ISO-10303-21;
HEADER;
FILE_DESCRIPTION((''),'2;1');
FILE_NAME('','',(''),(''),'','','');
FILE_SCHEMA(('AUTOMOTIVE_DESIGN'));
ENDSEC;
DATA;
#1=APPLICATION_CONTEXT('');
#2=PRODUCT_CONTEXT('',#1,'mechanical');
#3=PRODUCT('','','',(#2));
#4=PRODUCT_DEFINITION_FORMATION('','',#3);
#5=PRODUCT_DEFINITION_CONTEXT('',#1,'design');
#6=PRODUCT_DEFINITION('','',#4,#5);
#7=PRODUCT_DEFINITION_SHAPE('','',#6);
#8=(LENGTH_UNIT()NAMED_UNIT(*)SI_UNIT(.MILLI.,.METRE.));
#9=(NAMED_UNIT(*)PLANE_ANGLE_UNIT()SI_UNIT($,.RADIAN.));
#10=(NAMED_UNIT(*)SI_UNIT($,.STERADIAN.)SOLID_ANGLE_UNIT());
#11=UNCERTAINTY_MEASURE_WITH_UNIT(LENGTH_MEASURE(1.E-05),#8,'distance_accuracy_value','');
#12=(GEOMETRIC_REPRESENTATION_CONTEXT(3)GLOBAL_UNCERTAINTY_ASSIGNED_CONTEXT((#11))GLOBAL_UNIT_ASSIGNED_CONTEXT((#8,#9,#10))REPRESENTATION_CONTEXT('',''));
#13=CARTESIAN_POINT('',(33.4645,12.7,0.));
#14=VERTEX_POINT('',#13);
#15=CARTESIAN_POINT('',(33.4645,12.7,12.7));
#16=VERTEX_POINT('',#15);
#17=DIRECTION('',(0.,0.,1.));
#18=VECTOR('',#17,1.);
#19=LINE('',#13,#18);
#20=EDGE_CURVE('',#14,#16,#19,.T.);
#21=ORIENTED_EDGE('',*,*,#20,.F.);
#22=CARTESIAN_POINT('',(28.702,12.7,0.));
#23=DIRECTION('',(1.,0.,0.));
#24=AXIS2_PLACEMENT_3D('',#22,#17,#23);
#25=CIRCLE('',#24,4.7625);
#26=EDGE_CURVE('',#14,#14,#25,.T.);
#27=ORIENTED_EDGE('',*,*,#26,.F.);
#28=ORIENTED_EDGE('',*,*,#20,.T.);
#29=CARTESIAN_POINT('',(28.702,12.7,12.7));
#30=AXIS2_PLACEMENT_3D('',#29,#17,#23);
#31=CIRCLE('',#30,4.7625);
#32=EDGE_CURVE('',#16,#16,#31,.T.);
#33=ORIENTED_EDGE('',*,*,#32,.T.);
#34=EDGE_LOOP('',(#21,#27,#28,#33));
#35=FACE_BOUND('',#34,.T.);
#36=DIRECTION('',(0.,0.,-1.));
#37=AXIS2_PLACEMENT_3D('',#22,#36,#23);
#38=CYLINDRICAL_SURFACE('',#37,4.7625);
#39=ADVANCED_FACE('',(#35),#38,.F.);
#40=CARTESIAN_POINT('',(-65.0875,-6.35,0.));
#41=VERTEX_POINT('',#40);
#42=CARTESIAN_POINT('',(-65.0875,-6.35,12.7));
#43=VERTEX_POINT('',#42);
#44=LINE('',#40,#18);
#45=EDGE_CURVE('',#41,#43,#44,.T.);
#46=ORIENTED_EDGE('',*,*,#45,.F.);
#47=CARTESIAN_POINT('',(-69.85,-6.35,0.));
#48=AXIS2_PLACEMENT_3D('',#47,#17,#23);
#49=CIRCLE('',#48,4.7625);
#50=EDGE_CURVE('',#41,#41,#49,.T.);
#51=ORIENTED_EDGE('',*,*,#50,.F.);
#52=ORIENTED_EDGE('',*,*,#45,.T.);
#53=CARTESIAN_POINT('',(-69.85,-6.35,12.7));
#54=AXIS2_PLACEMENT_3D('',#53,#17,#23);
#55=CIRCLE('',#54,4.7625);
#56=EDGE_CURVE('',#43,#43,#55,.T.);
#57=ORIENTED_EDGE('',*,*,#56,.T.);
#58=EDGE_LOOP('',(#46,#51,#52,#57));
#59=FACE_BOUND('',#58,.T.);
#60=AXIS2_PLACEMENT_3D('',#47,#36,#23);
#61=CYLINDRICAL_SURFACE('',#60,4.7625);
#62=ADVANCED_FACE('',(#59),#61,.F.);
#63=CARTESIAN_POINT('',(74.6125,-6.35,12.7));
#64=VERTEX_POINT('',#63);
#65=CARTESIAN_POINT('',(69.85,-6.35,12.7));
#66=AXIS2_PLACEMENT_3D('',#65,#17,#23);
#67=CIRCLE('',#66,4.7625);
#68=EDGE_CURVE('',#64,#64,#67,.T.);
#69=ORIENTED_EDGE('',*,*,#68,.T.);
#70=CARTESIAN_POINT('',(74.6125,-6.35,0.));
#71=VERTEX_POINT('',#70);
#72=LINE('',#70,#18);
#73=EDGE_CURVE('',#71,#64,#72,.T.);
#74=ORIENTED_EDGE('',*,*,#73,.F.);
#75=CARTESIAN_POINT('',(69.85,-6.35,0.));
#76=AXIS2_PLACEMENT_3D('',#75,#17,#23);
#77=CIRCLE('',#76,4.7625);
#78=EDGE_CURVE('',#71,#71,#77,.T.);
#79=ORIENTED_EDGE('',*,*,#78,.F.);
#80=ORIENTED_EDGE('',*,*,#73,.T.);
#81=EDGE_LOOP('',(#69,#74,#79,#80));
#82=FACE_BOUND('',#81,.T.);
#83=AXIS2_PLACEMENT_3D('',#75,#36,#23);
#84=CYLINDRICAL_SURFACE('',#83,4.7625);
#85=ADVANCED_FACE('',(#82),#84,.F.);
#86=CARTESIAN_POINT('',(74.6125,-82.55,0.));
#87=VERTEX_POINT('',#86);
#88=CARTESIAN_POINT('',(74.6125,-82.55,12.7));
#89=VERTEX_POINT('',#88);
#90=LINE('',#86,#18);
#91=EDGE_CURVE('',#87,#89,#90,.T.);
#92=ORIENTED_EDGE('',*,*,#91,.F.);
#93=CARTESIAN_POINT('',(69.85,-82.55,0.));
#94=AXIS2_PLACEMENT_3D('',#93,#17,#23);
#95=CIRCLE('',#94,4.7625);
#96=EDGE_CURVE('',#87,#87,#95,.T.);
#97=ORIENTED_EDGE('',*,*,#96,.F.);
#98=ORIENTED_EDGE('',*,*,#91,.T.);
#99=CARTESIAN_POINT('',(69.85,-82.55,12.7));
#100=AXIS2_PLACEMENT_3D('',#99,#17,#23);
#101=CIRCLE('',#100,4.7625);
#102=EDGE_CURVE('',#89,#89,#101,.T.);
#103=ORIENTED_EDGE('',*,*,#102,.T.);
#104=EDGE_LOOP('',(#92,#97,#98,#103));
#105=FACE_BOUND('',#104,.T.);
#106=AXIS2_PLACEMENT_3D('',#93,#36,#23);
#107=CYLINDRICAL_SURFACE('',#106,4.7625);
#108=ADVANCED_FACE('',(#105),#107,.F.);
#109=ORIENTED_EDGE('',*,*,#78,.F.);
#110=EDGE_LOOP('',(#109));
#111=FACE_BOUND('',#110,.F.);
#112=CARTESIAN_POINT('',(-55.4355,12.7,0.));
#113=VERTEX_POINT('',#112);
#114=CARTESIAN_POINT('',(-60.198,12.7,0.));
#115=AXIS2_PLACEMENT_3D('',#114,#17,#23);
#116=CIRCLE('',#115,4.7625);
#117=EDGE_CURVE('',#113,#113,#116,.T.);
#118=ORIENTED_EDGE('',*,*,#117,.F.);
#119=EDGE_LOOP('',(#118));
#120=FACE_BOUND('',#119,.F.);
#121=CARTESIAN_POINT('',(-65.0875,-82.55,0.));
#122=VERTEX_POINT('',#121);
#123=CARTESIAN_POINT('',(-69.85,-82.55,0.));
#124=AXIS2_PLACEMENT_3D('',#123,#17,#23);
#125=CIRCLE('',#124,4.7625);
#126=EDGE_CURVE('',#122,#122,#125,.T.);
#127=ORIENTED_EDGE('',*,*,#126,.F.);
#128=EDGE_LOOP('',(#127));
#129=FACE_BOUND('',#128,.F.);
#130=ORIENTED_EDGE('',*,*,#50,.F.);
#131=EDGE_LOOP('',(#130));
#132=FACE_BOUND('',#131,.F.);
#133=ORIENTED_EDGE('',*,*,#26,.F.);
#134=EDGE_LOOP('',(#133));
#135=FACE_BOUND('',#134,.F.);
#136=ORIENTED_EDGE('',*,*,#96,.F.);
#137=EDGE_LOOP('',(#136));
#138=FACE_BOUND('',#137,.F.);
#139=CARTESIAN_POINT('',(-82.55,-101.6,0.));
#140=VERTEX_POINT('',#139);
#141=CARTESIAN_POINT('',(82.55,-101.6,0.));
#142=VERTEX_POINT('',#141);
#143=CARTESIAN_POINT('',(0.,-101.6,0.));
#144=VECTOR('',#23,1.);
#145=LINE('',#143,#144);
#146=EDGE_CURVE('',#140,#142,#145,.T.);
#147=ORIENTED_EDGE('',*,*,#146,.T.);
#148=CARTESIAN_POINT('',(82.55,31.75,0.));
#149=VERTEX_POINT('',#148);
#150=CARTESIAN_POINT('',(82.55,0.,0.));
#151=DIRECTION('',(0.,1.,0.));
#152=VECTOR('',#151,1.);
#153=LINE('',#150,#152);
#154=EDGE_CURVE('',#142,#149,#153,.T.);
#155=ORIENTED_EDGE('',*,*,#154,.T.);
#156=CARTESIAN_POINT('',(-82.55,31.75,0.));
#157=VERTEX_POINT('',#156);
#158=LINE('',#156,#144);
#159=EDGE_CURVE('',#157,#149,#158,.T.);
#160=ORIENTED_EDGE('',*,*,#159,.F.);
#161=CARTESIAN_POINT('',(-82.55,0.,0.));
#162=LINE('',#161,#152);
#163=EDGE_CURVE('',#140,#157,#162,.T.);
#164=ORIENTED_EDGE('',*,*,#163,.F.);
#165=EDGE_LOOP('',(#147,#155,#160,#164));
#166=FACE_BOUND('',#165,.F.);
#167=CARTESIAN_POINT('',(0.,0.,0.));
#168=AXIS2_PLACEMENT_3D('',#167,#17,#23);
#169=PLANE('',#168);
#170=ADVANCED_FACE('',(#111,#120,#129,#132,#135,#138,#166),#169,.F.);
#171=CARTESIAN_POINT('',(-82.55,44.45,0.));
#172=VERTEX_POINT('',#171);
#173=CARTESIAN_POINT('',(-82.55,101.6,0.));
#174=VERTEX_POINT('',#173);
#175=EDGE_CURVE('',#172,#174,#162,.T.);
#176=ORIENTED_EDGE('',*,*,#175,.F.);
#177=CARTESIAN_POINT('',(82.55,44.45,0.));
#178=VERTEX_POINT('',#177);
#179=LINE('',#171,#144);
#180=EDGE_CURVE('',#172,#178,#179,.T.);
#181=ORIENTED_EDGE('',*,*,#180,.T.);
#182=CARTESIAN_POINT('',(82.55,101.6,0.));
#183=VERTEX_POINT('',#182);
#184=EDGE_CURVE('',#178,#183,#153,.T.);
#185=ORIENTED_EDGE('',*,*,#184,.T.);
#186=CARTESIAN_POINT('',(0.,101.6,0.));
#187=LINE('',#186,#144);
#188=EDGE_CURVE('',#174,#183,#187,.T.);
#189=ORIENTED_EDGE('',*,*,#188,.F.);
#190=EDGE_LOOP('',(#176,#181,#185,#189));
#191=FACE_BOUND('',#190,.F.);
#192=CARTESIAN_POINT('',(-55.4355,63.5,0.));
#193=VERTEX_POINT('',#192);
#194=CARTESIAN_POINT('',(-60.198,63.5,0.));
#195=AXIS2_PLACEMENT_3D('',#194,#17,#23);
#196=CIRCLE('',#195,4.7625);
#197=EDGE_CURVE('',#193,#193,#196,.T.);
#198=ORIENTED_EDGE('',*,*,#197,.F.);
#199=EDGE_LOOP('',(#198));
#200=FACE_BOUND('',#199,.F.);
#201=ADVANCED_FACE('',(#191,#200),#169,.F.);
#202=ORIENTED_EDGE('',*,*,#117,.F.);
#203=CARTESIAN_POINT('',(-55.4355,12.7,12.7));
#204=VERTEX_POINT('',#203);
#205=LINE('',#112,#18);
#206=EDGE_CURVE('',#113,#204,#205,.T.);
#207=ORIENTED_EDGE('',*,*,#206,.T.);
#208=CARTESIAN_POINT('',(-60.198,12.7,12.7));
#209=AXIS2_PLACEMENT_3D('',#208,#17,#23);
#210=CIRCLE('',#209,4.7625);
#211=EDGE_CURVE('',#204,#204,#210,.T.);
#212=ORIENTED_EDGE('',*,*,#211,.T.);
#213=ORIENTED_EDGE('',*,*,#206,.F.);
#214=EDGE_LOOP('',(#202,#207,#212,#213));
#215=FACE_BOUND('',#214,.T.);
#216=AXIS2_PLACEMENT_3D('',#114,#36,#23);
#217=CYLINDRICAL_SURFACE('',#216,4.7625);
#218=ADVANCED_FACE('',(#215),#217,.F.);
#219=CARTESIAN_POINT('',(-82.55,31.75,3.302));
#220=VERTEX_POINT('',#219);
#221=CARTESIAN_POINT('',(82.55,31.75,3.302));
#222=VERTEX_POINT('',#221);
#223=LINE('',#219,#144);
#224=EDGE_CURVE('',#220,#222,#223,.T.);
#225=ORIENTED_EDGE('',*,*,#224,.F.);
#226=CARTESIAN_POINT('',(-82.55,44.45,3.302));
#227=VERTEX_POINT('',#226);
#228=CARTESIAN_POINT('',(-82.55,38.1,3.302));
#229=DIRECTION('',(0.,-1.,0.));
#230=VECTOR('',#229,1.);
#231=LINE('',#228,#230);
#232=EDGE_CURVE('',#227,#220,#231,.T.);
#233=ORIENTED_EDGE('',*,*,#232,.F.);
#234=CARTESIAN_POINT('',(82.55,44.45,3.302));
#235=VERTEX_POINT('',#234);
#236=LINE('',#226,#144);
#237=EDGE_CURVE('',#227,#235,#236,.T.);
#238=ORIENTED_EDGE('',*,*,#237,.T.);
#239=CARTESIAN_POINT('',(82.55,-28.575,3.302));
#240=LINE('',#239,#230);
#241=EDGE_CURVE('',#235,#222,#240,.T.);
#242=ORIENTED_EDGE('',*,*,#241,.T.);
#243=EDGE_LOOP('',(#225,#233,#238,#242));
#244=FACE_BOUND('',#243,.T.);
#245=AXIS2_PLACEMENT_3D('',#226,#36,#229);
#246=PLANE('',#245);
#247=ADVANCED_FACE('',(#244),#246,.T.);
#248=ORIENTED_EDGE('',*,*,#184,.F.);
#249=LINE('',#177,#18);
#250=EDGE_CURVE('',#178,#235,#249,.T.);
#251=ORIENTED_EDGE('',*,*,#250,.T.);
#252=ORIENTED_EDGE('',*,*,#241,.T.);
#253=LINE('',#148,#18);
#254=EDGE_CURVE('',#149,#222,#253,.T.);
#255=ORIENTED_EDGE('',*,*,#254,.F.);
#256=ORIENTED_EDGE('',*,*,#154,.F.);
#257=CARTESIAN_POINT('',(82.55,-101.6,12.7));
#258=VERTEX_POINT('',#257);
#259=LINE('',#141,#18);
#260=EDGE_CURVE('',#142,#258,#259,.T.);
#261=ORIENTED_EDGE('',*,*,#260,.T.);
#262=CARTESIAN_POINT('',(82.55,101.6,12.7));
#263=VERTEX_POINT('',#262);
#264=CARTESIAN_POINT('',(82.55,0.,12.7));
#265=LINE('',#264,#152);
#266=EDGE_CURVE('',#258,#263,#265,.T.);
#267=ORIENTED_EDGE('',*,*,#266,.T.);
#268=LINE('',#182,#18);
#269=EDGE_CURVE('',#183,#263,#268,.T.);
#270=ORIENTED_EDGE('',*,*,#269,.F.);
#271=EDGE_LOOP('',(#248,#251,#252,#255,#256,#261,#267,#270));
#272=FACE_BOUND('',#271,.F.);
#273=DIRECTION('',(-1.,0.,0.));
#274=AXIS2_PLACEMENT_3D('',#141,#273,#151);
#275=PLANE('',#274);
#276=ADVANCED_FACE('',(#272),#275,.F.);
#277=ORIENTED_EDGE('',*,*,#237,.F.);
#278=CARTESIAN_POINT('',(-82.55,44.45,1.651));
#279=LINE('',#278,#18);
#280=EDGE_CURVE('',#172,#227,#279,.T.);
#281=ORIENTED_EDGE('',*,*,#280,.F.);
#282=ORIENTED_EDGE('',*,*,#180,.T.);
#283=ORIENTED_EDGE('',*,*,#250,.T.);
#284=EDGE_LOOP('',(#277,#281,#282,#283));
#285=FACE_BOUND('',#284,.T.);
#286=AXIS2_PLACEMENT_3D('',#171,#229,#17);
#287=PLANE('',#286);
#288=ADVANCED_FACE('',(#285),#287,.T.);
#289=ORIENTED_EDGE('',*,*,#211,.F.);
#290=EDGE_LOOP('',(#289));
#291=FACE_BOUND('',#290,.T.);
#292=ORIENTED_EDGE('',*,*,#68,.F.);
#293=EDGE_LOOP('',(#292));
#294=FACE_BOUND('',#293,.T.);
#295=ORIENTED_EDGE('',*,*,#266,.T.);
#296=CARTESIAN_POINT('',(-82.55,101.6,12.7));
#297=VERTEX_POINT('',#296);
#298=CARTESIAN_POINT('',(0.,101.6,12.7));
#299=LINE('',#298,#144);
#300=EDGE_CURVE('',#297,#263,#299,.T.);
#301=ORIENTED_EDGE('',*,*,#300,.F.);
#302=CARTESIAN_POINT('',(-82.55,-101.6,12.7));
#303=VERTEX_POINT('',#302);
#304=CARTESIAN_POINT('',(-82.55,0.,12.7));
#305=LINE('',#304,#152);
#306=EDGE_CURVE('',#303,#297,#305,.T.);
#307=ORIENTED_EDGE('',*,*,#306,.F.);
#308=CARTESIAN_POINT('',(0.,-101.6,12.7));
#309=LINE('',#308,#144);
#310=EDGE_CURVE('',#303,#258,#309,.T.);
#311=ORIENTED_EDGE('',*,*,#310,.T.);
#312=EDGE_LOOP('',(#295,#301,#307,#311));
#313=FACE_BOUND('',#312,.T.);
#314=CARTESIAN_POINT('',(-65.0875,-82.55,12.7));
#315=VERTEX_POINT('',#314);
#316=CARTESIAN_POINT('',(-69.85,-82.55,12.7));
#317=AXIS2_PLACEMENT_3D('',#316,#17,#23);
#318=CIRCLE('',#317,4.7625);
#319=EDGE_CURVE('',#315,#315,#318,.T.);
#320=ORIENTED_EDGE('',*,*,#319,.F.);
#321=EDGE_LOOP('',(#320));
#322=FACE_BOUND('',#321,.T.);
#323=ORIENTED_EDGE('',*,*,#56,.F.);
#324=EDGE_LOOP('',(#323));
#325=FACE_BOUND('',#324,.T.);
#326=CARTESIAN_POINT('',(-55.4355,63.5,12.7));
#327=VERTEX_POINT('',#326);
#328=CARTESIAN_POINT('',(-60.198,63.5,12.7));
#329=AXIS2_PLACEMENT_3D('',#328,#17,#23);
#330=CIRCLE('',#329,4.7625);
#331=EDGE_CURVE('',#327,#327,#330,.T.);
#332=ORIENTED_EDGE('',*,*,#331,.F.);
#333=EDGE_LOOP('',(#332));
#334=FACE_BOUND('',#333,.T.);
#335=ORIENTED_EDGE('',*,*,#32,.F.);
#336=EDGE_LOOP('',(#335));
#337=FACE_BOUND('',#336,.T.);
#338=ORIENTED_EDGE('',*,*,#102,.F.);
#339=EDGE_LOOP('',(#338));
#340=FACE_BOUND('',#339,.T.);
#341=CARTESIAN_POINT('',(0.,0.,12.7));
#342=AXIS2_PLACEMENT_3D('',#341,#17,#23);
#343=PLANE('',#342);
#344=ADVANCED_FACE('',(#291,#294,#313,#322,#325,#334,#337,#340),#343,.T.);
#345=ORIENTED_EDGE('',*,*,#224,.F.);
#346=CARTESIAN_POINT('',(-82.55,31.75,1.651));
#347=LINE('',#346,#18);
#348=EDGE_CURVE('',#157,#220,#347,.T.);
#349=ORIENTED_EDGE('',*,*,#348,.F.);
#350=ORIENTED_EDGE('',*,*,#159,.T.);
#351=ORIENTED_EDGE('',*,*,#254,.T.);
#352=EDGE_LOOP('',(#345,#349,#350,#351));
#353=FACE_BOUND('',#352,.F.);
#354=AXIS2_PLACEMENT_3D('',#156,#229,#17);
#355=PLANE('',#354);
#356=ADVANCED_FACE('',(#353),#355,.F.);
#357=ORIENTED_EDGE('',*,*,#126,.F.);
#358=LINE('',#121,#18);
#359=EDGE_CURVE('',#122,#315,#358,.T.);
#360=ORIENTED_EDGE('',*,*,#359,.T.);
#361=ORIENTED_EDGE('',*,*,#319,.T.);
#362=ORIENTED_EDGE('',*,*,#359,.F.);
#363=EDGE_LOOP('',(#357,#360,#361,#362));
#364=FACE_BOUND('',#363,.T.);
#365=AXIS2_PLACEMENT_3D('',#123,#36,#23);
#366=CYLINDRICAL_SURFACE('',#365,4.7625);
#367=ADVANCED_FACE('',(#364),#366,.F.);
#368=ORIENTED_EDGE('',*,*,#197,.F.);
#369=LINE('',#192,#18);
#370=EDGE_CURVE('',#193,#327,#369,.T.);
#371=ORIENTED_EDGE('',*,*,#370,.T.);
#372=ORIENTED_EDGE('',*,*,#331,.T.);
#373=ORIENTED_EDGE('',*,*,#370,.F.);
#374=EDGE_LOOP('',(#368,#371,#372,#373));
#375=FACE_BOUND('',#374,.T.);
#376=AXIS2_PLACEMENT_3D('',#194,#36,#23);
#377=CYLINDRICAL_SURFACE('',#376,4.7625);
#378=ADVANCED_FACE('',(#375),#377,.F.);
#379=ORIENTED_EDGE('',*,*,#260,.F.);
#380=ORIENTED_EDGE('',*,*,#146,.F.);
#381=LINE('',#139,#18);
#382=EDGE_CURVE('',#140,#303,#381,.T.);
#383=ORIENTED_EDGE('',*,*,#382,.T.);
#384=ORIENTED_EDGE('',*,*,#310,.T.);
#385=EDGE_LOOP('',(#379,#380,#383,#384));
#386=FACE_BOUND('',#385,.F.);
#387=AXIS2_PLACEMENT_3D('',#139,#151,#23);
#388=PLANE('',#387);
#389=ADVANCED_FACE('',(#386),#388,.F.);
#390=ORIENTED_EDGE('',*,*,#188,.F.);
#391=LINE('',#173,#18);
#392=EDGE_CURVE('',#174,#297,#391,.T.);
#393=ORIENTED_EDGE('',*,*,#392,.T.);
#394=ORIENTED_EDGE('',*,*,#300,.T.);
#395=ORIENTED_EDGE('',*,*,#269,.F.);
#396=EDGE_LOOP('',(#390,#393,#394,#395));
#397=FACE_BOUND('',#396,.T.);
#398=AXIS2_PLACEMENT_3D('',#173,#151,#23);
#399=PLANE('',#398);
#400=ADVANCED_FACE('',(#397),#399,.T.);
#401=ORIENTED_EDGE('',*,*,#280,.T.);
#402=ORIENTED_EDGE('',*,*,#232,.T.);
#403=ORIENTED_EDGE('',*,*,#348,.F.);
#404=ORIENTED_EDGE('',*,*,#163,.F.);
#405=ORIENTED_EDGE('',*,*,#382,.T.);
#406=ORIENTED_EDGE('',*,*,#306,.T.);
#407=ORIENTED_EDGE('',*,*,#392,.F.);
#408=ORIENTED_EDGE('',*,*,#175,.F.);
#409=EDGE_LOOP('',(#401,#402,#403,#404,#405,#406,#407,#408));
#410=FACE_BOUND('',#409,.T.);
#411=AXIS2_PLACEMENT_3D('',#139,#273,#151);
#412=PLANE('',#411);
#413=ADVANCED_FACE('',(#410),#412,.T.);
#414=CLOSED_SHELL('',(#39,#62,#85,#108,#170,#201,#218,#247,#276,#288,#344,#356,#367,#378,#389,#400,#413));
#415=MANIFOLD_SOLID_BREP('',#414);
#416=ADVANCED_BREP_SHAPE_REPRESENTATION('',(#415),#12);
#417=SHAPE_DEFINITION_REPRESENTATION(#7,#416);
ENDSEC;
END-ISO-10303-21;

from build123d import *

# Parameters (mm, degrees)
F0_W     = 165.1
F0_H     = 203.2
F0_R     = 4.7625
F1_DEPTH = 12.7
F2_W     = 12.7
F2_H     = 3.302
F3_DEPTH = 165.101


with BuildPart() as f1:
    # F0 (on Top) → F1 (new body)
    with BuildSketch(Plane.XY):
        Rectangle(F0_W, F0_H)
        with Locations((-69.85, -82.55)):
            Circle(F0_R, mode=Mode.SUBTRACT)
        with Locations((-69.85, -6.35)):
            Circle(F0_R, mode=Mode.SUBTRACT)
        with Locations((69.85, -82.55)):
            Circle(F0_R, mode=Mode.SUBTRACT)
        with Locations((69.85, -6.35)):
            Circle(F0_R, mode=Mode.SUBTRACT)
        with Locations((-60.198, 12.7)):
            Circle(F0_R, mode=Mode.SUBTRACT)
        with Locations((-60.198, 63.5)):
            Circle(F0_R, mode=Mode.SUBTRACT)
        with Locations((28.702, 12.7)):
            Circle(F0_R, mode=Mode.SUBTRACT)
    extrude(amount=F1_DEPTH)

    # F2 (on face) → F3 (cut, through all)
    with BuildSketch(Plane(origin=(-82.55, 0, 0), x_dir=(0, -1, 0), z_dir=(-1, 0, 0))):
        with Locations((-38.1, 1.651)):
            Rectangle(F2_W, F2_H)
    extrude(amount=-F3_DEPTH, mode=Mode.SUBTRACT)


solid = f1.part
